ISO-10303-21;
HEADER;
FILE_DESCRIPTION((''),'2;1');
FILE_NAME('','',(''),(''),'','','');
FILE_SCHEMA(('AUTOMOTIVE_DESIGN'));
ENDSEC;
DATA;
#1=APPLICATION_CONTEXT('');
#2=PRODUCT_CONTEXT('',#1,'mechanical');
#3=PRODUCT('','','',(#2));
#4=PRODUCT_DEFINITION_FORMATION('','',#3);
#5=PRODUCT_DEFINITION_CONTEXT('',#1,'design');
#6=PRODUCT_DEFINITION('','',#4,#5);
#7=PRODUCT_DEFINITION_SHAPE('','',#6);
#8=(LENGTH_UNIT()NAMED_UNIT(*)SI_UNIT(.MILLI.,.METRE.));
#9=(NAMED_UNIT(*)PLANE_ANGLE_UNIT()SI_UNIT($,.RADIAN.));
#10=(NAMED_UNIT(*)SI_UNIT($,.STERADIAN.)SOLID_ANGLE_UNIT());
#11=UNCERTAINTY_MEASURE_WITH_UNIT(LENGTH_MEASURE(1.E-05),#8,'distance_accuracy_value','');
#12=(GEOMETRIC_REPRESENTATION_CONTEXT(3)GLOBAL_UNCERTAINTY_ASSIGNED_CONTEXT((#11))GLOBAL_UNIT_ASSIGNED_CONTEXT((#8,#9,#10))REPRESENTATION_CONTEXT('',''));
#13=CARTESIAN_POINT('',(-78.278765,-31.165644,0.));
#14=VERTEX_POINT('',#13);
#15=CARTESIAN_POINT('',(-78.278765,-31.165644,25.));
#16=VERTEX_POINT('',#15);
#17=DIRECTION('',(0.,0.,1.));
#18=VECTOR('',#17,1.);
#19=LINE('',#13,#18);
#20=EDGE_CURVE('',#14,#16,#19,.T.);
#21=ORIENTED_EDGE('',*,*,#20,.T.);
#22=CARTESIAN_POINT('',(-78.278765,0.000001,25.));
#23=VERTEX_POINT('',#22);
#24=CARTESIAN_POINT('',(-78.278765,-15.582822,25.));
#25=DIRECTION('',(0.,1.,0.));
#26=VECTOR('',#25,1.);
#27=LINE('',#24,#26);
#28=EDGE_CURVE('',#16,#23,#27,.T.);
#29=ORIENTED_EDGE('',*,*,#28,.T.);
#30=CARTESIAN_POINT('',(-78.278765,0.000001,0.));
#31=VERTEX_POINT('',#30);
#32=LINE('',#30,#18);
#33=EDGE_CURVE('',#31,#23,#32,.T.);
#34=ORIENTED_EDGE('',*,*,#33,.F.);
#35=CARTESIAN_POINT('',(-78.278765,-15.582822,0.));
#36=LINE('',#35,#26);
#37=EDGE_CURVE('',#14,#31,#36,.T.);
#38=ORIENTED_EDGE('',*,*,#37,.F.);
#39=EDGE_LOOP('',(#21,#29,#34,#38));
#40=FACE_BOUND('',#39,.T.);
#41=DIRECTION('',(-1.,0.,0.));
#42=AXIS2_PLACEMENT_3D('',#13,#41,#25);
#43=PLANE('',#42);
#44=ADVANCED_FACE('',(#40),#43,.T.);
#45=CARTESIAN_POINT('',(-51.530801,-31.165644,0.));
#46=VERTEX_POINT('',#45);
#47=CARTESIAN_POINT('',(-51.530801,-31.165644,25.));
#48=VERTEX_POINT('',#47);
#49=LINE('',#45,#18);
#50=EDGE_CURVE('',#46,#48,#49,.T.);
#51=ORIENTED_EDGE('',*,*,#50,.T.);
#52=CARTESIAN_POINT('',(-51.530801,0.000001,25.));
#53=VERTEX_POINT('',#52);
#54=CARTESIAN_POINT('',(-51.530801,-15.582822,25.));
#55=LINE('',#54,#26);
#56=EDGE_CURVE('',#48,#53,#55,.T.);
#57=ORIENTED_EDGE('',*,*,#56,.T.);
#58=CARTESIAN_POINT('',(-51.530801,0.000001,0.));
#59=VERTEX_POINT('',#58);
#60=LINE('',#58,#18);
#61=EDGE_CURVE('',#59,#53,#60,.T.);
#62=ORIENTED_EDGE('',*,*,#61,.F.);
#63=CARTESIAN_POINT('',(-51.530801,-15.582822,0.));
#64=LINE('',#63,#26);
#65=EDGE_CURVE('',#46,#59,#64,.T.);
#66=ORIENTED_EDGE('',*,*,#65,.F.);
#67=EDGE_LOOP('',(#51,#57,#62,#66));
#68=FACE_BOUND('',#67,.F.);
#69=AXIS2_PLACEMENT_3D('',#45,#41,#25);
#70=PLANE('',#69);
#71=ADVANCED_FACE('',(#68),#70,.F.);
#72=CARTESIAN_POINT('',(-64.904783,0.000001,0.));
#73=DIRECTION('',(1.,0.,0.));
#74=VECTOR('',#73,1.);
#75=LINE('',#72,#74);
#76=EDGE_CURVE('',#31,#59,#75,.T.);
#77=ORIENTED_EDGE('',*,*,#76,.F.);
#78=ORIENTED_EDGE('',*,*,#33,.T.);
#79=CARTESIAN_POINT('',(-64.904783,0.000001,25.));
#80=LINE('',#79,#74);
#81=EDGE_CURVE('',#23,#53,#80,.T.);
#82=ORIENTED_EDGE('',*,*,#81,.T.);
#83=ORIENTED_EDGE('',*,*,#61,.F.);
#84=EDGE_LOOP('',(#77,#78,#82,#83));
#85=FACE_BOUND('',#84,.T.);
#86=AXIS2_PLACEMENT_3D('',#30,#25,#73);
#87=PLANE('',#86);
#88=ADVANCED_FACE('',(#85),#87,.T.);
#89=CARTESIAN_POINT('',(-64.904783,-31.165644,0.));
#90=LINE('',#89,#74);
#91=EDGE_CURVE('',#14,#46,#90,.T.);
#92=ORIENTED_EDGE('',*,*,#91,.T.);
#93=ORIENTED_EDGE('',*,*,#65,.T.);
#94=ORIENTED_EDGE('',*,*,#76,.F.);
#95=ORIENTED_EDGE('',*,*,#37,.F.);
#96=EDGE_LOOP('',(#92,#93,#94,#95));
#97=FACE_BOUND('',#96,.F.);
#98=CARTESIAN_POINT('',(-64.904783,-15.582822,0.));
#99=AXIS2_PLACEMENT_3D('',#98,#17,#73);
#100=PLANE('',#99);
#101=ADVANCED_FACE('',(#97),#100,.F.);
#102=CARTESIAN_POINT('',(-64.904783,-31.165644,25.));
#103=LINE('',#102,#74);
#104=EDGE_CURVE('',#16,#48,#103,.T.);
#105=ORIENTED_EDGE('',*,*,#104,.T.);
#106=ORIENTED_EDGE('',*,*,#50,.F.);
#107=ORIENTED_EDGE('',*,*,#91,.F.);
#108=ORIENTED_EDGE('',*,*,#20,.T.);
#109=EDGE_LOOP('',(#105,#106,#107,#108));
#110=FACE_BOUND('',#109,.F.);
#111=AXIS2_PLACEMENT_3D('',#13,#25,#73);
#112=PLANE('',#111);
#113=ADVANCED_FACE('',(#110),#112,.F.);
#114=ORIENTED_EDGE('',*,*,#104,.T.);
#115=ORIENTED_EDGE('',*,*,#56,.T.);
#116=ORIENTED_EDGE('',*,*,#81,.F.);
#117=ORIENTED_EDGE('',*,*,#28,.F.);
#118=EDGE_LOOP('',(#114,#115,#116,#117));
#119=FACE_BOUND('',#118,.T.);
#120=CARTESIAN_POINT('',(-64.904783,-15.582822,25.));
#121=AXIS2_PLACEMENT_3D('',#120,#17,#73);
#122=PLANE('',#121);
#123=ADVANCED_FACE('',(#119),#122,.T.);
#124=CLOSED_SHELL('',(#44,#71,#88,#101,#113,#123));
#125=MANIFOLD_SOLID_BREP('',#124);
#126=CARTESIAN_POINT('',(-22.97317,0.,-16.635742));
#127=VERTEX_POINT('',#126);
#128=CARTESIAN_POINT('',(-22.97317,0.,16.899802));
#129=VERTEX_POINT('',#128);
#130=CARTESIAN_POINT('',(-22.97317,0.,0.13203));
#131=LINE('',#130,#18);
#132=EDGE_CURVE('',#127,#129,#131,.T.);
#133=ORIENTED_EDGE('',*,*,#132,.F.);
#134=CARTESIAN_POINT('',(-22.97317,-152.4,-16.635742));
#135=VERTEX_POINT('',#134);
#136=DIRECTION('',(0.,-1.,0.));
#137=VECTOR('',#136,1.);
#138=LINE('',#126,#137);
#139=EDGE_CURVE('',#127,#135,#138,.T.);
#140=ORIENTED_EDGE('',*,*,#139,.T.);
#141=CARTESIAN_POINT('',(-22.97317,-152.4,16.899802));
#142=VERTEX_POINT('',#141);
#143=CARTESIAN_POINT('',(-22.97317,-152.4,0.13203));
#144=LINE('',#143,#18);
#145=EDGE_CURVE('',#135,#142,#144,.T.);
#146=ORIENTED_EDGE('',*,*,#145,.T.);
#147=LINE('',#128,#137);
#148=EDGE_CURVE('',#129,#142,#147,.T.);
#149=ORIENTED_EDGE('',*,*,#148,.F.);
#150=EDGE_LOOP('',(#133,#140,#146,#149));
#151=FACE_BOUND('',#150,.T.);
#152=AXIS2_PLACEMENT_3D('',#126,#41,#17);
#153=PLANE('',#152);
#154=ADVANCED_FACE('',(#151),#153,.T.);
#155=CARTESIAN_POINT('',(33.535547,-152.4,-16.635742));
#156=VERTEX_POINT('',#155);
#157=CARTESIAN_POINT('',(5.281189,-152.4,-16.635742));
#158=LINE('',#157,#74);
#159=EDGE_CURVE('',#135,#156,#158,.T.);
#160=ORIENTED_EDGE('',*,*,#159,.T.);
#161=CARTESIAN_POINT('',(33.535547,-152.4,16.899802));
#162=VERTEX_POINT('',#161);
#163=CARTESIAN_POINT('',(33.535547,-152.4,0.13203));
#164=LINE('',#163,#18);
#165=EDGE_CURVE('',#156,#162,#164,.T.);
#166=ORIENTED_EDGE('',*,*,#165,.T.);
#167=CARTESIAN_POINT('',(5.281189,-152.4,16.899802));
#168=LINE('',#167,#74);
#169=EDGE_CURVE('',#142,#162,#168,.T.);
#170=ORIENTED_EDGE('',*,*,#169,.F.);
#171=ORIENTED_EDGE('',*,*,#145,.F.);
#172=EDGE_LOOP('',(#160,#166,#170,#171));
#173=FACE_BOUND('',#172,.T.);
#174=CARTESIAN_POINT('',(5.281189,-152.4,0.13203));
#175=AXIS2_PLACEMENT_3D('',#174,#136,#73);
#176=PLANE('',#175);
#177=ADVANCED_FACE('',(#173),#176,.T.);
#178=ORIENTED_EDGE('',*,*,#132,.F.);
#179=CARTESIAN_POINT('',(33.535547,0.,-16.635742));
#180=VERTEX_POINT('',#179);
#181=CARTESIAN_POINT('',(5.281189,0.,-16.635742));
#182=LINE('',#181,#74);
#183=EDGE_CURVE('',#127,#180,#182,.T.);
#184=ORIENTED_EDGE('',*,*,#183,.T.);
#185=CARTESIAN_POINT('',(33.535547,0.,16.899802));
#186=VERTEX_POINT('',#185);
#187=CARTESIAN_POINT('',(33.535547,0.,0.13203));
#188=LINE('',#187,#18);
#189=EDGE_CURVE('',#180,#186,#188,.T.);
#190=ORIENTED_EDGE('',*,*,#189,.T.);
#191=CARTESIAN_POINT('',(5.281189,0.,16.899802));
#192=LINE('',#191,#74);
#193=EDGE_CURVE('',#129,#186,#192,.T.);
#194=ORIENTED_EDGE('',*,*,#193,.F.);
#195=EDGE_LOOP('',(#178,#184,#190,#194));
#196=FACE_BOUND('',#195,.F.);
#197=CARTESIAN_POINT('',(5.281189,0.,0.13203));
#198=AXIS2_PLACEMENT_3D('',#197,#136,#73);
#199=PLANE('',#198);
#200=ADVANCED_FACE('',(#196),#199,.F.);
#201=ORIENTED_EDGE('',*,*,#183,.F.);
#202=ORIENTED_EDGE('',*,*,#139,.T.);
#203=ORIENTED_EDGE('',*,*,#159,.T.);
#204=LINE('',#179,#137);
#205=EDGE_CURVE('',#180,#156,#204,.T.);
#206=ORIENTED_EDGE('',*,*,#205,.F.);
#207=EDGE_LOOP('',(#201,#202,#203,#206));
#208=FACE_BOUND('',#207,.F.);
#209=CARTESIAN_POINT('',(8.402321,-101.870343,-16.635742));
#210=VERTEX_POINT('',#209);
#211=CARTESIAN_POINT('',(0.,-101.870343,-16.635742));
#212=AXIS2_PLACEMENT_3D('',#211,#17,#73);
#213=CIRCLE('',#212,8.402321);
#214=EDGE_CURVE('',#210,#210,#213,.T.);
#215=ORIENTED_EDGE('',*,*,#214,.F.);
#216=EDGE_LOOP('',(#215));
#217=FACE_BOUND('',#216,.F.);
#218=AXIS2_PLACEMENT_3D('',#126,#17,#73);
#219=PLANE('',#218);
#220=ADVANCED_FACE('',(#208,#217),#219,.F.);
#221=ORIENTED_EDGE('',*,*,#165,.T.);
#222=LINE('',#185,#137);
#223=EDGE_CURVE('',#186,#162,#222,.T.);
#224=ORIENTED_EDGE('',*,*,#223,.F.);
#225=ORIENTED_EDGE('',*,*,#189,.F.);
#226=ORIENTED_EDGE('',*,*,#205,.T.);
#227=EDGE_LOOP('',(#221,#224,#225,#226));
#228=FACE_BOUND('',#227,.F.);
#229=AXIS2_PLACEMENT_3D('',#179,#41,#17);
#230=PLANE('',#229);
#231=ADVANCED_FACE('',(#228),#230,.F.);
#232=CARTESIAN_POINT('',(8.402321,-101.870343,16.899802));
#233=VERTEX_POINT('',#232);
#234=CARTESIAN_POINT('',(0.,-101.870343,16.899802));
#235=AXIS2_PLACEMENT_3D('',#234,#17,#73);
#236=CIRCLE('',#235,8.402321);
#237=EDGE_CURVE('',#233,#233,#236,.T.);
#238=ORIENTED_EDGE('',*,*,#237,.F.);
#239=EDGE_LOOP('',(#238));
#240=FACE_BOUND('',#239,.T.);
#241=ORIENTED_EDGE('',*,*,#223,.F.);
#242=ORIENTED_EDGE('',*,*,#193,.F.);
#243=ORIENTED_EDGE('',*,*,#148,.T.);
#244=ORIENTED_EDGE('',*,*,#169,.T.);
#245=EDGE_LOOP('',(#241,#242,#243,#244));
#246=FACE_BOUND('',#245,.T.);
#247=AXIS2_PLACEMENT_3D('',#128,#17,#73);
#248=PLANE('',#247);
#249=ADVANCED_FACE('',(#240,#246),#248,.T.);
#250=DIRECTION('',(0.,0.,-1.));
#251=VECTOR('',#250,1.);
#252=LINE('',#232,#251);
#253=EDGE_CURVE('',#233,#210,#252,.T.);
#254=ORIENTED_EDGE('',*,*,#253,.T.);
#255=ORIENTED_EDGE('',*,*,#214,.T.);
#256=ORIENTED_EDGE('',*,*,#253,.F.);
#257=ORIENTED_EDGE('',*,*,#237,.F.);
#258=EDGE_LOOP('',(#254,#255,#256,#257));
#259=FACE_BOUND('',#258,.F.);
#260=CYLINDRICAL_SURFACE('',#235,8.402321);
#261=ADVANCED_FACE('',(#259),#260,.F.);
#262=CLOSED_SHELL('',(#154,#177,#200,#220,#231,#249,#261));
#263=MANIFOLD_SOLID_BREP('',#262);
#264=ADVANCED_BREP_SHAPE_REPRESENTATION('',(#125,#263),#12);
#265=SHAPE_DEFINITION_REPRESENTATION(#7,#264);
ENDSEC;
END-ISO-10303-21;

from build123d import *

# Parameters (mm, degrees)
F0_W     = 56.508717
F0_H     = 33.535544
F1_DEPTH = 152.4
F2_R     = 8.402321
F3_DEPTH = 63.754
F4_W     = 26.747964
F4_H     = 31.165645
F5_DEPTH = 25


with BuildPart() as f1:
    # F0 (on Front) → F1 (new body)
    with BuildSketch(Plane.XZ):
        with Locations((5.281189, 0.13203)):
            Rectangle(F0_W, F0_H)
    extrude(amount=F1_DEPTH)

    # F2 (on face) → F3 (cut)
    with BuildSketch(Plane.XY.offset(16.899802)):
        with Locations((0, -101.870343)):
            Circle(F2_R)
    extrude(amount=-F3_DEPTH, mode=Mode.SUBTRACT)


with BuildPart() as f5:
    # F4 (on Top) → F5 (new body)
    with BuildSketch(Plane.XY):
        with Locations((-64.904783, -15.582822)):
            Rectangle(F4_W, F4_H)
    extrude(amount=F5_DEPTH)


solid = Compound([f1.part, f5.part])
